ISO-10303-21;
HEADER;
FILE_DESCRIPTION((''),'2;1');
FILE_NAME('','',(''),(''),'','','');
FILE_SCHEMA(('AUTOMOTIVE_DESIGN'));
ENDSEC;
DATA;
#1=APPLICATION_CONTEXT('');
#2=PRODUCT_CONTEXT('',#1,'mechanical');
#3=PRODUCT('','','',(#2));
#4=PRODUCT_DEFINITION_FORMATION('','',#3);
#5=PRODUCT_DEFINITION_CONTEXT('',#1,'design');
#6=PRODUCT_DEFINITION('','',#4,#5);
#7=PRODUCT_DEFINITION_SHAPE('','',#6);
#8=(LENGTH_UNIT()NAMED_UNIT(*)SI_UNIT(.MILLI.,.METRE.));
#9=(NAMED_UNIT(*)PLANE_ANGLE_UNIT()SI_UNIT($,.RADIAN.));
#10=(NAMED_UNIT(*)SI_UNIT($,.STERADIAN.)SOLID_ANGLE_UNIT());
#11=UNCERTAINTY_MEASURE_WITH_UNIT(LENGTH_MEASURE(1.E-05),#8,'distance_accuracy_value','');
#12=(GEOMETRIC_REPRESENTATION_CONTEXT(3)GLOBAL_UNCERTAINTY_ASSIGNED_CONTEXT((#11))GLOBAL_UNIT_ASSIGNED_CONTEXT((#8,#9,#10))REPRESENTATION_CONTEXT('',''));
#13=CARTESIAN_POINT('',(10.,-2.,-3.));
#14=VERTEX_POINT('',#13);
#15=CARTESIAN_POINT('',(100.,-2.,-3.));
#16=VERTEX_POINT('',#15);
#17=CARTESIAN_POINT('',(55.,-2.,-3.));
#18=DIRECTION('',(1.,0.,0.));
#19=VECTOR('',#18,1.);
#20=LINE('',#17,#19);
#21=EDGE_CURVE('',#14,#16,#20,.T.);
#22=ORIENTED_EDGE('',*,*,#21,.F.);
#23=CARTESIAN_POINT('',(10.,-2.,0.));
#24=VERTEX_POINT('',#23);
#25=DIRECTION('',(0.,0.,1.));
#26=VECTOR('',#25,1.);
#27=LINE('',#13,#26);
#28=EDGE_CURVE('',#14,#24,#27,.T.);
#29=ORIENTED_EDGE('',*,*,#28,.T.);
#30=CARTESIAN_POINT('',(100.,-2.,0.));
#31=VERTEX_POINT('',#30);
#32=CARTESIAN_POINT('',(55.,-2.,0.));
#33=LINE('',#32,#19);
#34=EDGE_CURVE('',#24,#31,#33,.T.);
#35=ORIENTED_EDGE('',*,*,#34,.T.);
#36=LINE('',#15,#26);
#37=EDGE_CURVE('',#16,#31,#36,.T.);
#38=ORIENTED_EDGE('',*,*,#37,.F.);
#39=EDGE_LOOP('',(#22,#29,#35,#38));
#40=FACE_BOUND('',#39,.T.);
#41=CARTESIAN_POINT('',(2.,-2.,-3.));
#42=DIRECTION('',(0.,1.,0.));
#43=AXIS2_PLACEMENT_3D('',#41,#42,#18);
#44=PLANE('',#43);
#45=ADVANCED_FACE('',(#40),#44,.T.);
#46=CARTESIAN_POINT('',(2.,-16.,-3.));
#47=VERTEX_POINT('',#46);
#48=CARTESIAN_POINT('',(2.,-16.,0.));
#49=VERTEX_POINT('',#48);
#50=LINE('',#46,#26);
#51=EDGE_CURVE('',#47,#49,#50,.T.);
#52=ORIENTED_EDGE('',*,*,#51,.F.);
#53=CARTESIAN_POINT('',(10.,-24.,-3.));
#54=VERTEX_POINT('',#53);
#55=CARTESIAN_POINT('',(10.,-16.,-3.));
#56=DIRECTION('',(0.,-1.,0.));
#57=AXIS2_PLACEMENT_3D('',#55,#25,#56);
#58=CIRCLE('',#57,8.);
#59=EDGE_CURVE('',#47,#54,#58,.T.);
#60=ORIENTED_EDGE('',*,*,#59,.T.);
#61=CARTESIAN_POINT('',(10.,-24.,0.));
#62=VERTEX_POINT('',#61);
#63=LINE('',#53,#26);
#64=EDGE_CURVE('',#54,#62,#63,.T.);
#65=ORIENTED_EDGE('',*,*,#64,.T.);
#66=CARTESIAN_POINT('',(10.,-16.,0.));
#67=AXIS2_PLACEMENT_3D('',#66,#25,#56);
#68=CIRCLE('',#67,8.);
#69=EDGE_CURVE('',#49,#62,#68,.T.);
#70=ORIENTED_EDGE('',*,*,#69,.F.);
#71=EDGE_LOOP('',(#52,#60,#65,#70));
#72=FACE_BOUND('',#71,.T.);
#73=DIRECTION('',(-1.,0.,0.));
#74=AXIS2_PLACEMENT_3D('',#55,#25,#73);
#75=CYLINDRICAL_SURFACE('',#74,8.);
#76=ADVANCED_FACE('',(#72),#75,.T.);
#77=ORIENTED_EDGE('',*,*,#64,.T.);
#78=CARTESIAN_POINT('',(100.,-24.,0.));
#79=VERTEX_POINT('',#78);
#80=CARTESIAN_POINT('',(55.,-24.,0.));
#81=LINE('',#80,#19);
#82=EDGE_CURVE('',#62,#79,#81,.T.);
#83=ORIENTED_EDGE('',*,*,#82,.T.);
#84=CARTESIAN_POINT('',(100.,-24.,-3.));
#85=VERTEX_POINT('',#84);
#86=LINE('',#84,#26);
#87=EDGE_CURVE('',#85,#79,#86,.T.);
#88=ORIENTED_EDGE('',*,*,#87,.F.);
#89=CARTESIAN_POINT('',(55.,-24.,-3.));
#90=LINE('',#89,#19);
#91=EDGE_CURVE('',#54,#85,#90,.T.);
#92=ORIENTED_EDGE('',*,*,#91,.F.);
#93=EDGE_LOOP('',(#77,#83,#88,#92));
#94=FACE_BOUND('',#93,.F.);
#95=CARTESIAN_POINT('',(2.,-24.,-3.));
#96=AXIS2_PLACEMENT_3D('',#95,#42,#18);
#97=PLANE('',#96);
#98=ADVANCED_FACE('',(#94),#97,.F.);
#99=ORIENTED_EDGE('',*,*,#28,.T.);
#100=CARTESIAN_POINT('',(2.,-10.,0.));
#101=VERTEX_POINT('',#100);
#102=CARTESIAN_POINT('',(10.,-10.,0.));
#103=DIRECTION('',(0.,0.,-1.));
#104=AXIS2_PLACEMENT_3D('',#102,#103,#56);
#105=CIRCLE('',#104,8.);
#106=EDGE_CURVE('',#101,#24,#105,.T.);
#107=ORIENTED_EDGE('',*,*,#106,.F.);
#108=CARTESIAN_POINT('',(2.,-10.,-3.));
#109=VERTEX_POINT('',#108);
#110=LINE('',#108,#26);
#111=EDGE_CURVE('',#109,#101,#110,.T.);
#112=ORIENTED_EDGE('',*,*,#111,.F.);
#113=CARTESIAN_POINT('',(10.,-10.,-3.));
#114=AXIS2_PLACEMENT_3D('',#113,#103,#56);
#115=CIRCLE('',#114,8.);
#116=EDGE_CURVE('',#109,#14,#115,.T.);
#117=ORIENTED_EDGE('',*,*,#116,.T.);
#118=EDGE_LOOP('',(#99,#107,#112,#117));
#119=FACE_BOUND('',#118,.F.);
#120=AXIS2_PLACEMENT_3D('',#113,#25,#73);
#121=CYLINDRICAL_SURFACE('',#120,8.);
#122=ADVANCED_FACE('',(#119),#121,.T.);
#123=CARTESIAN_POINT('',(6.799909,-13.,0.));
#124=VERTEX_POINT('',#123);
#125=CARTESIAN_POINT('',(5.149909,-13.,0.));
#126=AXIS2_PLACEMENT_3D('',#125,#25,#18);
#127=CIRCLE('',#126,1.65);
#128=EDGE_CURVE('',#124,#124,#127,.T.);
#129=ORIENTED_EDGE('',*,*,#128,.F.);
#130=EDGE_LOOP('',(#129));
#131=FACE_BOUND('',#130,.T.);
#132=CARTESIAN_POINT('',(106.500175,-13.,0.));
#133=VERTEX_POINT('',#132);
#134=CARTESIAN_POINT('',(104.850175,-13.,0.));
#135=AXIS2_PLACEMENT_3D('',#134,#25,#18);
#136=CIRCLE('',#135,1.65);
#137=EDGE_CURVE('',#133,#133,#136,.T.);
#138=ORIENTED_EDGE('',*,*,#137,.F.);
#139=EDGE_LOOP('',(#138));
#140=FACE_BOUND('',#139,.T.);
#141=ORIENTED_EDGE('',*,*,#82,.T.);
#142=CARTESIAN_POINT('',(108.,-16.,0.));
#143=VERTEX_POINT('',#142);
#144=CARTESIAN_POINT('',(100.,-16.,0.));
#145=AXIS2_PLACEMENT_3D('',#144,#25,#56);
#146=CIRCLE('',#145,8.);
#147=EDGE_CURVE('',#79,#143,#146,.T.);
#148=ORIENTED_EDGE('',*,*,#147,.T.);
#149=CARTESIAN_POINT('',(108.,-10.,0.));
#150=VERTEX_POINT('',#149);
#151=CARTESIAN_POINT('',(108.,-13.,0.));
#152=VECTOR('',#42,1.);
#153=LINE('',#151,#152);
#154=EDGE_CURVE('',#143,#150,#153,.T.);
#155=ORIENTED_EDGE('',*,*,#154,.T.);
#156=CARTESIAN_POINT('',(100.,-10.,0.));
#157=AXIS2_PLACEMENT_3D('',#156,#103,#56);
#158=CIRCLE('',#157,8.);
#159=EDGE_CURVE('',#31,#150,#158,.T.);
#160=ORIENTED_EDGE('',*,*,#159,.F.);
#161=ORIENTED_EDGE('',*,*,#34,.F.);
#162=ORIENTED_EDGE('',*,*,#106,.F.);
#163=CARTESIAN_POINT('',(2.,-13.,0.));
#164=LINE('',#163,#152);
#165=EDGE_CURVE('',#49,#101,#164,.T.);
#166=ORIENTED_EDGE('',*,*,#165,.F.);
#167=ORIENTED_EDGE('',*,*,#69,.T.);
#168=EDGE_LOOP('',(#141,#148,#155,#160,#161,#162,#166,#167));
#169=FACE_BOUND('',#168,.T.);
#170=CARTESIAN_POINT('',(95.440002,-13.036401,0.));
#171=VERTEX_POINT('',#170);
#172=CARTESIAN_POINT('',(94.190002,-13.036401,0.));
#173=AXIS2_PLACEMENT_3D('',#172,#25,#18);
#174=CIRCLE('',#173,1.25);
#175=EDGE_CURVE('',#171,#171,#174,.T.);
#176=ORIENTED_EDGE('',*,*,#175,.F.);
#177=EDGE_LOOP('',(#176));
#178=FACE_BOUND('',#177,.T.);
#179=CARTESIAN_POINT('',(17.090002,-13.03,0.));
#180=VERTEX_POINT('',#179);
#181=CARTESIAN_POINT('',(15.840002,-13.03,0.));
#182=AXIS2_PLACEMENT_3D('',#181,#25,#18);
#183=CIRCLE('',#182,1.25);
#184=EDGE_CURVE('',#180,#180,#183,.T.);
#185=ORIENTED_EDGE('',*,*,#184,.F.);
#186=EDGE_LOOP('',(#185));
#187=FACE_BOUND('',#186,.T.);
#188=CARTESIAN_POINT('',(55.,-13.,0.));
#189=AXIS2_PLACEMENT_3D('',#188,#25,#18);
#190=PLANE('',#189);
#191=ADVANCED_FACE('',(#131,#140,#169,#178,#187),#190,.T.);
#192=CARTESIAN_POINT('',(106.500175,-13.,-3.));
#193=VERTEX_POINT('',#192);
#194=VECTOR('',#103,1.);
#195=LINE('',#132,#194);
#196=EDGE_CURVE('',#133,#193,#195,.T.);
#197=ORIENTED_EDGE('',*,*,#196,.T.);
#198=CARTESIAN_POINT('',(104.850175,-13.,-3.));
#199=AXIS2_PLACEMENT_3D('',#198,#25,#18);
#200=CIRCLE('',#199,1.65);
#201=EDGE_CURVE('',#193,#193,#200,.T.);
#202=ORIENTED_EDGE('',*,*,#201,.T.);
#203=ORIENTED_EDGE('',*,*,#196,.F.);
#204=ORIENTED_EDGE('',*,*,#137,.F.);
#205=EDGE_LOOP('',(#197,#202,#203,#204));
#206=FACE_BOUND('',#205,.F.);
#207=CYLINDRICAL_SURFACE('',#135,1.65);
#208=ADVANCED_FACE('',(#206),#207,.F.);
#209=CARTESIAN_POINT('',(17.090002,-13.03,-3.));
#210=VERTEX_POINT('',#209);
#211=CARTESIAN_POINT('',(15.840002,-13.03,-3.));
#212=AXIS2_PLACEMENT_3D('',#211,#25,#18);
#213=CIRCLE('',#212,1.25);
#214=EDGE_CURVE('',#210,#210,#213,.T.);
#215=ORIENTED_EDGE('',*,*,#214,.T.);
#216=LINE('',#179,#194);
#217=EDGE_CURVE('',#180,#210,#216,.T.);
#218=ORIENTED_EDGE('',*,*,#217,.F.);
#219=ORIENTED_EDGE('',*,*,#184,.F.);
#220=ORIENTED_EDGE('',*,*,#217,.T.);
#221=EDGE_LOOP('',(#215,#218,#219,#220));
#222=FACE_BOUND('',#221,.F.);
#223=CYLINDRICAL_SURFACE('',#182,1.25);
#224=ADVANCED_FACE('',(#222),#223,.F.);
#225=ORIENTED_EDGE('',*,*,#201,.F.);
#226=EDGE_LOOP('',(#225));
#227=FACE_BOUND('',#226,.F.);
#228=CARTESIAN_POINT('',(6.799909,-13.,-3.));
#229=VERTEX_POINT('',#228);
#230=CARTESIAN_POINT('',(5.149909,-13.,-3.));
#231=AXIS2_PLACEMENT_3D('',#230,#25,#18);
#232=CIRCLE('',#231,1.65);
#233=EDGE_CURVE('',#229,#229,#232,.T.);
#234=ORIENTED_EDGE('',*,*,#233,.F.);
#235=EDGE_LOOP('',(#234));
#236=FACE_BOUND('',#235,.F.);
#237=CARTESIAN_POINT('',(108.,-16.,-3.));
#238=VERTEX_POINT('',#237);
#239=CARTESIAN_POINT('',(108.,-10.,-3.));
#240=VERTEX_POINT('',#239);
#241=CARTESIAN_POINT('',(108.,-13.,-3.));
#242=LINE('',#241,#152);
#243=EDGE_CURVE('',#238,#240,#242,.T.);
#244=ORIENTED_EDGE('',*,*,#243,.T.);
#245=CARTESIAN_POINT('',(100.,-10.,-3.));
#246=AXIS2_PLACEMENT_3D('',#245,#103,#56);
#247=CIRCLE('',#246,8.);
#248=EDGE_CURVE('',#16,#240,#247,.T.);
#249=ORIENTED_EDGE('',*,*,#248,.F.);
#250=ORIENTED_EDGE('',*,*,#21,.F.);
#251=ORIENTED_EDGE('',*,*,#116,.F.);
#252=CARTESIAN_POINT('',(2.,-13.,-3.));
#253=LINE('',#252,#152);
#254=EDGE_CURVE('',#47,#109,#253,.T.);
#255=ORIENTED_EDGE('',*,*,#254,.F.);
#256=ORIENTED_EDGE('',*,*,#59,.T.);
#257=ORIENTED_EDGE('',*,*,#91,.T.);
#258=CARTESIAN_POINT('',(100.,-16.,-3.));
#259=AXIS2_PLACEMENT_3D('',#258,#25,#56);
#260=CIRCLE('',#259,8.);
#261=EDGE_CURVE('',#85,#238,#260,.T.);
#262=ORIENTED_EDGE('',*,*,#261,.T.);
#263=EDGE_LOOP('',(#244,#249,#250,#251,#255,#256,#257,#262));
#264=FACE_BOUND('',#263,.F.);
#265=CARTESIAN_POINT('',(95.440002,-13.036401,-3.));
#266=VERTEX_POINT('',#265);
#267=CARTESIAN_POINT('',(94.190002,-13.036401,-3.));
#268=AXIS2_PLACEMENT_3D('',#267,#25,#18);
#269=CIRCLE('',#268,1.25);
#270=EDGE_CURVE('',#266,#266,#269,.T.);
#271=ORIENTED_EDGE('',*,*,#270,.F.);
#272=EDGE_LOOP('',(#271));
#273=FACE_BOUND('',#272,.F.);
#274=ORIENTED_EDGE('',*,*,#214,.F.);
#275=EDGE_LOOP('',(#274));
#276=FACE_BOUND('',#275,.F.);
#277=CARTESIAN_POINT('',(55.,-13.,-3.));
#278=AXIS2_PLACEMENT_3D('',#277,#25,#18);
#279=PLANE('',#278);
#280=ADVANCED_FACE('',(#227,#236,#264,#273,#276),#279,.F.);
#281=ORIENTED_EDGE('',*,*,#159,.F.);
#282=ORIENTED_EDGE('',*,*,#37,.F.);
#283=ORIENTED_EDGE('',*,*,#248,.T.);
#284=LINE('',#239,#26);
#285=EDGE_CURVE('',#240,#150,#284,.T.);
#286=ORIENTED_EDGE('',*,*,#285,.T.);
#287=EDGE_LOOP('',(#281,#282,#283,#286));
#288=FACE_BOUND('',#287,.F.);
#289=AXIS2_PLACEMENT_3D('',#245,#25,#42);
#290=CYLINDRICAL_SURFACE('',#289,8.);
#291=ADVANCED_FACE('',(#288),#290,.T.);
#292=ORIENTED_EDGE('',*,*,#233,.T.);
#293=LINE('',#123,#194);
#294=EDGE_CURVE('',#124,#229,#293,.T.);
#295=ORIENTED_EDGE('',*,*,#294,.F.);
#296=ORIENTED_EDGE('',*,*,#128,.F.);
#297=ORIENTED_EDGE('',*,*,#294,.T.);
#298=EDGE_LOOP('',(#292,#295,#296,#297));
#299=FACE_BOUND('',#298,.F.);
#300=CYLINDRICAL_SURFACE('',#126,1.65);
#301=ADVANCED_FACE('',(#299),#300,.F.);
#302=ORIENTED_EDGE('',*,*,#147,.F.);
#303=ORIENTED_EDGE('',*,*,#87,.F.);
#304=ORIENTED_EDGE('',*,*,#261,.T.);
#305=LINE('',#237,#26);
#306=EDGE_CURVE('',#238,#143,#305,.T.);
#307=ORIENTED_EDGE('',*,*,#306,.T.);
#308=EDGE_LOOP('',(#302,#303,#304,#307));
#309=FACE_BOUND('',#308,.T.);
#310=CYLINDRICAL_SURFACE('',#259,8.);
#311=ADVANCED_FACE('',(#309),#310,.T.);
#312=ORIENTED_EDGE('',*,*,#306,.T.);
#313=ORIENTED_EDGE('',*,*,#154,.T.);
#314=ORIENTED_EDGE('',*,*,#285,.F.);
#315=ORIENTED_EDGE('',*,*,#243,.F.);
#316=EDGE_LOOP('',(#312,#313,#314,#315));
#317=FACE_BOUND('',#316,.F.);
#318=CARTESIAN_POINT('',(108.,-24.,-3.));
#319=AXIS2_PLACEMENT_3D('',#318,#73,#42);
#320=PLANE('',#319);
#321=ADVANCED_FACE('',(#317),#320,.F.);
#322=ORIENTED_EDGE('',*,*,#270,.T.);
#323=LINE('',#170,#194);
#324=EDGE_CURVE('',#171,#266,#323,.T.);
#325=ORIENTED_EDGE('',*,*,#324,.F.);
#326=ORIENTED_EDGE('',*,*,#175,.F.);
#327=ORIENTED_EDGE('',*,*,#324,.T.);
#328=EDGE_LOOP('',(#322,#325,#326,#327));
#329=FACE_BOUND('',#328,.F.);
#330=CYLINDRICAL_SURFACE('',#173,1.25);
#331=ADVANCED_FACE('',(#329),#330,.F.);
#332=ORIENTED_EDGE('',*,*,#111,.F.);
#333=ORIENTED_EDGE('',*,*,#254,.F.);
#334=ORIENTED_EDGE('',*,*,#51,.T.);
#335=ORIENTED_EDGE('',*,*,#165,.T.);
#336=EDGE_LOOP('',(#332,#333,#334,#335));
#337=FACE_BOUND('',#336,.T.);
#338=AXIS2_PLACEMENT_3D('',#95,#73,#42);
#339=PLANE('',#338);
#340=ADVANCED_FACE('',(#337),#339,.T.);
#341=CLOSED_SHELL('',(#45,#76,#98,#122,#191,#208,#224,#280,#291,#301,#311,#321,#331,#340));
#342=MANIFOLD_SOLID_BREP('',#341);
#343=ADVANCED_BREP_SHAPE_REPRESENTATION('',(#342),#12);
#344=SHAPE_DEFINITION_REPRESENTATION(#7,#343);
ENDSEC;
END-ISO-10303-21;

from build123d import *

# Parameters (mm, degrees)
SKETCH086_W     = 106
SKETCH086_H     = 22
PAD005_DEPTH    = 3
SKETCH087_R     = 1.25
POCKET003_DEPTH = 3
FILLET005_R     = 8
SKETCH088_R     = 1.65
POCKET004_DEPTH = 3


with BuildPart() as part:
    # Sketch086 → Pad005 (new body)
    with BuildSketch(Plane.XY):
        with Locations((0.609999, 10.86)):
            Rectangle(SKETCH086_W, SKETCH086_H)
    extrude(amount=PAD005_DEPTH)

    # Sketch087 → Pocket003 (cut)
    with BuildSketch(Plane.XY.offset(3)):
        with Locations((-38.549999, 10.83)):
            Circle(SKETCH087_R)
        with Locations((39.800001, 10.823599)):
            Circle(SKETCH087_R)
    extrude(amount=-POCKET003_DEPTH, mode=Mode.SUBTRACT)

    # Fillet005
    fillet005_edges = [part.edges().sort_by_distance(p)[0] for p in [
        (-52.390001, 21.86, 1.5),
        (-52.390001, -0.14, 1.5),
        (53.609999, 21.86, 1.5),
        (53.609999, -0.14, 1.5),
    ]]
    fillet(fillet005_edges, radius=FILLET005_R)

    # Sketch088 (on Face5 of Fillet005) → Pocket004 (cut)
    with BuildSketch(Plane.XY.offset(3)):
        with Locations((-49.240092, 10.86)):
            Circle(SKETCH088_R)
        with Locations((50.460174, 10.86)):
            Circle(SKETCH088_R)
    extrude(amount=-POCKET004_DEPTH, mode=Mode.SUBTRACT)


with BuildPart() as part_1:
    # Body008 placement: moved
    add(part.part.moved(Location((46.37, -59.87, 16))))


with BuildPart() as part_2:
    # Clone placement: moved
    add(part_1.part.moved(Location((8.020001, 36.01, -19))))


solid = part_2.part
